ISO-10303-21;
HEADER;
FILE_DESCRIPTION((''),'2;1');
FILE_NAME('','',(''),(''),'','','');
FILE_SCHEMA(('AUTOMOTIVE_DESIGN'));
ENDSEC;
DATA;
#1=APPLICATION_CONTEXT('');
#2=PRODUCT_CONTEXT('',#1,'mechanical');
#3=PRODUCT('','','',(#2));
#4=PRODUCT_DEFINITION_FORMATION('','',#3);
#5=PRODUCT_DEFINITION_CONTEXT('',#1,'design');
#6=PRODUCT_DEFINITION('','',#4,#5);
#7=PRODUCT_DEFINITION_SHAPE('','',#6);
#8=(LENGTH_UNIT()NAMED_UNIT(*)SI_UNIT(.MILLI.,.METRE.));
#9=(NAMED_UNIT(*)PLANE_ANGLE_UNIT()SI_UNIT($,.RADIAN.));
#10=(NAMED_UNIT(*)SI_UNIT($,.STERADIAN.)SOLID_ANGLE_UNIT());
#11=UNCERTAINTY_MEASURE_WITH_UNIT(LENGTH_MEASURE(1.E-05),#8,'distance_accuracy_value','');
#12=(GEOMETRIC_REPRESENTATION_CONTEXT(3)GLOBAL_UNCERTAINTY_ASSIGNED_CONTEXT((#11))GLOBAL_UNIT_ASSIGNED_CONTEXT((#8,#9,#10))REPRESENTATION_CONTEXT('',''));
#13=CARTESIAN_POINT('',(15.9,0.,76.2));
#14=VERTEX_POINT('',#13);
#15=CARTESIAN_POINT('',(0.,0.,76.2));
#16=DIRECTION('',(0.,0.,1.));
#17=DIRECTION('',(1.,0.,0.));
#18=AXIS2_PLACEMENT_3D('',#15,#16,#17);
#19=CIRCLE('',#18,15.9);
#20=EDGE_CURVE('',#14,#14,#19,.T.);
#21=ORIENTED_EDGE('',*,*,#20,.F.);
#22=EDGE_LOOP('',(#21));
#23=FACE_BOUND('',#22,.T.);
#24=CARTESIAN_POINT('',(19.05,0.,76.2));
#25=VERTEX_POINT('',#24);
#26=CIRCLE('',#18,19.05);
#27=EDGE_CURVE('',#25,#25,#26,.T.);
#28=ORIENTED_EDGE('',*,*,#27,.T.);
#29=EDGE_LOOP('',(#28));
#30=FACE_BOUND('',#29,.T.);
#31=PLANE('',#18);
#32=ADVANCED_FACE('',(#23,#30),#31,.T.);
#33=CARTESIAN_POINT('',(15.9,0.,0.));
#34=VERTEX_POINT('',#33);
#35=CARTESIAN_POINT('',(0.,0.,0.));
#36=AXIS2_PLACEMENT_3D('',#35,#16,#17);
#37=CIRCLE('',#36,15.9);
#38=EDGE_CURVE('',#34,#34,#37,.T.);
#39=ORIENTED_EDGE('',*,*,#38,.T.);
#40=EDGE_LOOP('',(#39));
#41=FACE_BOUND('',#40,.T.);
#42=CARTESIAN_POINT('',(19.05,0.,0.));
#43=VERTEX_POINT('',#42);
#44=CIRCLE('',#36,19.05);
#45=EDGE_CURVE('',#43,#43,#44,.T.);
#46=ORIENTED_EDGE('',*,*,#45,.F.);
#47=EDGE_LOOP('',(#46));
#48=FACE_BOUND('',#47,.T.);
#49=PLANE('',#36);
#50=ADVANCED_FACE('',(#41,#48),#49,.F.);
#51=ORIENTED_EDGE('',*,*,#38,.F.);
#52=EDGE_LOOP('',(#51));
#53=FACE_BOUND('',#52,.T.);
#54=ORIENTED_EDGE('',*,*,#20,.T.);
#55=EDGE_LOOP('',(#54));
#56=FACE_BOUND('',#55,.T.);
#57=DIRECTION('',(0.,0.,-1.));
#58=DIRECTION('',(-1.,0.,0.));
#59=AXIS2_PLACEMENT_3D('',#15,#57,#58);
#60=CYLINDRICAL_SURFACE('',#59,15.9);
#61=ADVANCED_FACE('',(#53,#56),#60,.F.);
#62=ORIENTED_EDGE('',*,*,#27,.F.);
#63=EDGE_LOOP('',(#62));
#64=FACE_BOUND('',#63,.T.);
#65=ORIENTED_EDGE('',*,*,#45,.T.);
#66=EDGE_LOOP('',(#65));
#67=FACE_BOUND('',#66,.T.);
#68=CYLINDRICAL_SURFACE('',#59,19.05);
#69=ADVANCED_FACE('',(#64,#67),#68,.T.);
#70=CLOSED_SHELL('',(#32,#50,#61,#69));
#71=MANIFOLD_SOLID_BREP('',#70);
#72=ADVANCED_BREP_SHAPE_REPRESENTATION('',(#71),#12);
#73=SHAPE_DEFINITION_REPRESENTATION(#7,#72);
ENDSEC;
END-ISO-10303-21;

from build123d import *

# Parameters (mm, degrees)
SKETCH1_R           = 19.05
SKETCH1_R_2         = 15.9
BOSS_EXTRUDE1_DEPTH = 76.2


with BuildPart() as part:
    # Sketch1 → Boss-Extrude1 (new body)
    with BuildSketch(Plane.XY):
        Circle(SKETCH1_R)
        Circle(SKETCH1_R_2, mode=Mode.SUBTRACT)
    extrude(amount=BOSS_EXTRUDE1_DEPTH)


solid = part.part
